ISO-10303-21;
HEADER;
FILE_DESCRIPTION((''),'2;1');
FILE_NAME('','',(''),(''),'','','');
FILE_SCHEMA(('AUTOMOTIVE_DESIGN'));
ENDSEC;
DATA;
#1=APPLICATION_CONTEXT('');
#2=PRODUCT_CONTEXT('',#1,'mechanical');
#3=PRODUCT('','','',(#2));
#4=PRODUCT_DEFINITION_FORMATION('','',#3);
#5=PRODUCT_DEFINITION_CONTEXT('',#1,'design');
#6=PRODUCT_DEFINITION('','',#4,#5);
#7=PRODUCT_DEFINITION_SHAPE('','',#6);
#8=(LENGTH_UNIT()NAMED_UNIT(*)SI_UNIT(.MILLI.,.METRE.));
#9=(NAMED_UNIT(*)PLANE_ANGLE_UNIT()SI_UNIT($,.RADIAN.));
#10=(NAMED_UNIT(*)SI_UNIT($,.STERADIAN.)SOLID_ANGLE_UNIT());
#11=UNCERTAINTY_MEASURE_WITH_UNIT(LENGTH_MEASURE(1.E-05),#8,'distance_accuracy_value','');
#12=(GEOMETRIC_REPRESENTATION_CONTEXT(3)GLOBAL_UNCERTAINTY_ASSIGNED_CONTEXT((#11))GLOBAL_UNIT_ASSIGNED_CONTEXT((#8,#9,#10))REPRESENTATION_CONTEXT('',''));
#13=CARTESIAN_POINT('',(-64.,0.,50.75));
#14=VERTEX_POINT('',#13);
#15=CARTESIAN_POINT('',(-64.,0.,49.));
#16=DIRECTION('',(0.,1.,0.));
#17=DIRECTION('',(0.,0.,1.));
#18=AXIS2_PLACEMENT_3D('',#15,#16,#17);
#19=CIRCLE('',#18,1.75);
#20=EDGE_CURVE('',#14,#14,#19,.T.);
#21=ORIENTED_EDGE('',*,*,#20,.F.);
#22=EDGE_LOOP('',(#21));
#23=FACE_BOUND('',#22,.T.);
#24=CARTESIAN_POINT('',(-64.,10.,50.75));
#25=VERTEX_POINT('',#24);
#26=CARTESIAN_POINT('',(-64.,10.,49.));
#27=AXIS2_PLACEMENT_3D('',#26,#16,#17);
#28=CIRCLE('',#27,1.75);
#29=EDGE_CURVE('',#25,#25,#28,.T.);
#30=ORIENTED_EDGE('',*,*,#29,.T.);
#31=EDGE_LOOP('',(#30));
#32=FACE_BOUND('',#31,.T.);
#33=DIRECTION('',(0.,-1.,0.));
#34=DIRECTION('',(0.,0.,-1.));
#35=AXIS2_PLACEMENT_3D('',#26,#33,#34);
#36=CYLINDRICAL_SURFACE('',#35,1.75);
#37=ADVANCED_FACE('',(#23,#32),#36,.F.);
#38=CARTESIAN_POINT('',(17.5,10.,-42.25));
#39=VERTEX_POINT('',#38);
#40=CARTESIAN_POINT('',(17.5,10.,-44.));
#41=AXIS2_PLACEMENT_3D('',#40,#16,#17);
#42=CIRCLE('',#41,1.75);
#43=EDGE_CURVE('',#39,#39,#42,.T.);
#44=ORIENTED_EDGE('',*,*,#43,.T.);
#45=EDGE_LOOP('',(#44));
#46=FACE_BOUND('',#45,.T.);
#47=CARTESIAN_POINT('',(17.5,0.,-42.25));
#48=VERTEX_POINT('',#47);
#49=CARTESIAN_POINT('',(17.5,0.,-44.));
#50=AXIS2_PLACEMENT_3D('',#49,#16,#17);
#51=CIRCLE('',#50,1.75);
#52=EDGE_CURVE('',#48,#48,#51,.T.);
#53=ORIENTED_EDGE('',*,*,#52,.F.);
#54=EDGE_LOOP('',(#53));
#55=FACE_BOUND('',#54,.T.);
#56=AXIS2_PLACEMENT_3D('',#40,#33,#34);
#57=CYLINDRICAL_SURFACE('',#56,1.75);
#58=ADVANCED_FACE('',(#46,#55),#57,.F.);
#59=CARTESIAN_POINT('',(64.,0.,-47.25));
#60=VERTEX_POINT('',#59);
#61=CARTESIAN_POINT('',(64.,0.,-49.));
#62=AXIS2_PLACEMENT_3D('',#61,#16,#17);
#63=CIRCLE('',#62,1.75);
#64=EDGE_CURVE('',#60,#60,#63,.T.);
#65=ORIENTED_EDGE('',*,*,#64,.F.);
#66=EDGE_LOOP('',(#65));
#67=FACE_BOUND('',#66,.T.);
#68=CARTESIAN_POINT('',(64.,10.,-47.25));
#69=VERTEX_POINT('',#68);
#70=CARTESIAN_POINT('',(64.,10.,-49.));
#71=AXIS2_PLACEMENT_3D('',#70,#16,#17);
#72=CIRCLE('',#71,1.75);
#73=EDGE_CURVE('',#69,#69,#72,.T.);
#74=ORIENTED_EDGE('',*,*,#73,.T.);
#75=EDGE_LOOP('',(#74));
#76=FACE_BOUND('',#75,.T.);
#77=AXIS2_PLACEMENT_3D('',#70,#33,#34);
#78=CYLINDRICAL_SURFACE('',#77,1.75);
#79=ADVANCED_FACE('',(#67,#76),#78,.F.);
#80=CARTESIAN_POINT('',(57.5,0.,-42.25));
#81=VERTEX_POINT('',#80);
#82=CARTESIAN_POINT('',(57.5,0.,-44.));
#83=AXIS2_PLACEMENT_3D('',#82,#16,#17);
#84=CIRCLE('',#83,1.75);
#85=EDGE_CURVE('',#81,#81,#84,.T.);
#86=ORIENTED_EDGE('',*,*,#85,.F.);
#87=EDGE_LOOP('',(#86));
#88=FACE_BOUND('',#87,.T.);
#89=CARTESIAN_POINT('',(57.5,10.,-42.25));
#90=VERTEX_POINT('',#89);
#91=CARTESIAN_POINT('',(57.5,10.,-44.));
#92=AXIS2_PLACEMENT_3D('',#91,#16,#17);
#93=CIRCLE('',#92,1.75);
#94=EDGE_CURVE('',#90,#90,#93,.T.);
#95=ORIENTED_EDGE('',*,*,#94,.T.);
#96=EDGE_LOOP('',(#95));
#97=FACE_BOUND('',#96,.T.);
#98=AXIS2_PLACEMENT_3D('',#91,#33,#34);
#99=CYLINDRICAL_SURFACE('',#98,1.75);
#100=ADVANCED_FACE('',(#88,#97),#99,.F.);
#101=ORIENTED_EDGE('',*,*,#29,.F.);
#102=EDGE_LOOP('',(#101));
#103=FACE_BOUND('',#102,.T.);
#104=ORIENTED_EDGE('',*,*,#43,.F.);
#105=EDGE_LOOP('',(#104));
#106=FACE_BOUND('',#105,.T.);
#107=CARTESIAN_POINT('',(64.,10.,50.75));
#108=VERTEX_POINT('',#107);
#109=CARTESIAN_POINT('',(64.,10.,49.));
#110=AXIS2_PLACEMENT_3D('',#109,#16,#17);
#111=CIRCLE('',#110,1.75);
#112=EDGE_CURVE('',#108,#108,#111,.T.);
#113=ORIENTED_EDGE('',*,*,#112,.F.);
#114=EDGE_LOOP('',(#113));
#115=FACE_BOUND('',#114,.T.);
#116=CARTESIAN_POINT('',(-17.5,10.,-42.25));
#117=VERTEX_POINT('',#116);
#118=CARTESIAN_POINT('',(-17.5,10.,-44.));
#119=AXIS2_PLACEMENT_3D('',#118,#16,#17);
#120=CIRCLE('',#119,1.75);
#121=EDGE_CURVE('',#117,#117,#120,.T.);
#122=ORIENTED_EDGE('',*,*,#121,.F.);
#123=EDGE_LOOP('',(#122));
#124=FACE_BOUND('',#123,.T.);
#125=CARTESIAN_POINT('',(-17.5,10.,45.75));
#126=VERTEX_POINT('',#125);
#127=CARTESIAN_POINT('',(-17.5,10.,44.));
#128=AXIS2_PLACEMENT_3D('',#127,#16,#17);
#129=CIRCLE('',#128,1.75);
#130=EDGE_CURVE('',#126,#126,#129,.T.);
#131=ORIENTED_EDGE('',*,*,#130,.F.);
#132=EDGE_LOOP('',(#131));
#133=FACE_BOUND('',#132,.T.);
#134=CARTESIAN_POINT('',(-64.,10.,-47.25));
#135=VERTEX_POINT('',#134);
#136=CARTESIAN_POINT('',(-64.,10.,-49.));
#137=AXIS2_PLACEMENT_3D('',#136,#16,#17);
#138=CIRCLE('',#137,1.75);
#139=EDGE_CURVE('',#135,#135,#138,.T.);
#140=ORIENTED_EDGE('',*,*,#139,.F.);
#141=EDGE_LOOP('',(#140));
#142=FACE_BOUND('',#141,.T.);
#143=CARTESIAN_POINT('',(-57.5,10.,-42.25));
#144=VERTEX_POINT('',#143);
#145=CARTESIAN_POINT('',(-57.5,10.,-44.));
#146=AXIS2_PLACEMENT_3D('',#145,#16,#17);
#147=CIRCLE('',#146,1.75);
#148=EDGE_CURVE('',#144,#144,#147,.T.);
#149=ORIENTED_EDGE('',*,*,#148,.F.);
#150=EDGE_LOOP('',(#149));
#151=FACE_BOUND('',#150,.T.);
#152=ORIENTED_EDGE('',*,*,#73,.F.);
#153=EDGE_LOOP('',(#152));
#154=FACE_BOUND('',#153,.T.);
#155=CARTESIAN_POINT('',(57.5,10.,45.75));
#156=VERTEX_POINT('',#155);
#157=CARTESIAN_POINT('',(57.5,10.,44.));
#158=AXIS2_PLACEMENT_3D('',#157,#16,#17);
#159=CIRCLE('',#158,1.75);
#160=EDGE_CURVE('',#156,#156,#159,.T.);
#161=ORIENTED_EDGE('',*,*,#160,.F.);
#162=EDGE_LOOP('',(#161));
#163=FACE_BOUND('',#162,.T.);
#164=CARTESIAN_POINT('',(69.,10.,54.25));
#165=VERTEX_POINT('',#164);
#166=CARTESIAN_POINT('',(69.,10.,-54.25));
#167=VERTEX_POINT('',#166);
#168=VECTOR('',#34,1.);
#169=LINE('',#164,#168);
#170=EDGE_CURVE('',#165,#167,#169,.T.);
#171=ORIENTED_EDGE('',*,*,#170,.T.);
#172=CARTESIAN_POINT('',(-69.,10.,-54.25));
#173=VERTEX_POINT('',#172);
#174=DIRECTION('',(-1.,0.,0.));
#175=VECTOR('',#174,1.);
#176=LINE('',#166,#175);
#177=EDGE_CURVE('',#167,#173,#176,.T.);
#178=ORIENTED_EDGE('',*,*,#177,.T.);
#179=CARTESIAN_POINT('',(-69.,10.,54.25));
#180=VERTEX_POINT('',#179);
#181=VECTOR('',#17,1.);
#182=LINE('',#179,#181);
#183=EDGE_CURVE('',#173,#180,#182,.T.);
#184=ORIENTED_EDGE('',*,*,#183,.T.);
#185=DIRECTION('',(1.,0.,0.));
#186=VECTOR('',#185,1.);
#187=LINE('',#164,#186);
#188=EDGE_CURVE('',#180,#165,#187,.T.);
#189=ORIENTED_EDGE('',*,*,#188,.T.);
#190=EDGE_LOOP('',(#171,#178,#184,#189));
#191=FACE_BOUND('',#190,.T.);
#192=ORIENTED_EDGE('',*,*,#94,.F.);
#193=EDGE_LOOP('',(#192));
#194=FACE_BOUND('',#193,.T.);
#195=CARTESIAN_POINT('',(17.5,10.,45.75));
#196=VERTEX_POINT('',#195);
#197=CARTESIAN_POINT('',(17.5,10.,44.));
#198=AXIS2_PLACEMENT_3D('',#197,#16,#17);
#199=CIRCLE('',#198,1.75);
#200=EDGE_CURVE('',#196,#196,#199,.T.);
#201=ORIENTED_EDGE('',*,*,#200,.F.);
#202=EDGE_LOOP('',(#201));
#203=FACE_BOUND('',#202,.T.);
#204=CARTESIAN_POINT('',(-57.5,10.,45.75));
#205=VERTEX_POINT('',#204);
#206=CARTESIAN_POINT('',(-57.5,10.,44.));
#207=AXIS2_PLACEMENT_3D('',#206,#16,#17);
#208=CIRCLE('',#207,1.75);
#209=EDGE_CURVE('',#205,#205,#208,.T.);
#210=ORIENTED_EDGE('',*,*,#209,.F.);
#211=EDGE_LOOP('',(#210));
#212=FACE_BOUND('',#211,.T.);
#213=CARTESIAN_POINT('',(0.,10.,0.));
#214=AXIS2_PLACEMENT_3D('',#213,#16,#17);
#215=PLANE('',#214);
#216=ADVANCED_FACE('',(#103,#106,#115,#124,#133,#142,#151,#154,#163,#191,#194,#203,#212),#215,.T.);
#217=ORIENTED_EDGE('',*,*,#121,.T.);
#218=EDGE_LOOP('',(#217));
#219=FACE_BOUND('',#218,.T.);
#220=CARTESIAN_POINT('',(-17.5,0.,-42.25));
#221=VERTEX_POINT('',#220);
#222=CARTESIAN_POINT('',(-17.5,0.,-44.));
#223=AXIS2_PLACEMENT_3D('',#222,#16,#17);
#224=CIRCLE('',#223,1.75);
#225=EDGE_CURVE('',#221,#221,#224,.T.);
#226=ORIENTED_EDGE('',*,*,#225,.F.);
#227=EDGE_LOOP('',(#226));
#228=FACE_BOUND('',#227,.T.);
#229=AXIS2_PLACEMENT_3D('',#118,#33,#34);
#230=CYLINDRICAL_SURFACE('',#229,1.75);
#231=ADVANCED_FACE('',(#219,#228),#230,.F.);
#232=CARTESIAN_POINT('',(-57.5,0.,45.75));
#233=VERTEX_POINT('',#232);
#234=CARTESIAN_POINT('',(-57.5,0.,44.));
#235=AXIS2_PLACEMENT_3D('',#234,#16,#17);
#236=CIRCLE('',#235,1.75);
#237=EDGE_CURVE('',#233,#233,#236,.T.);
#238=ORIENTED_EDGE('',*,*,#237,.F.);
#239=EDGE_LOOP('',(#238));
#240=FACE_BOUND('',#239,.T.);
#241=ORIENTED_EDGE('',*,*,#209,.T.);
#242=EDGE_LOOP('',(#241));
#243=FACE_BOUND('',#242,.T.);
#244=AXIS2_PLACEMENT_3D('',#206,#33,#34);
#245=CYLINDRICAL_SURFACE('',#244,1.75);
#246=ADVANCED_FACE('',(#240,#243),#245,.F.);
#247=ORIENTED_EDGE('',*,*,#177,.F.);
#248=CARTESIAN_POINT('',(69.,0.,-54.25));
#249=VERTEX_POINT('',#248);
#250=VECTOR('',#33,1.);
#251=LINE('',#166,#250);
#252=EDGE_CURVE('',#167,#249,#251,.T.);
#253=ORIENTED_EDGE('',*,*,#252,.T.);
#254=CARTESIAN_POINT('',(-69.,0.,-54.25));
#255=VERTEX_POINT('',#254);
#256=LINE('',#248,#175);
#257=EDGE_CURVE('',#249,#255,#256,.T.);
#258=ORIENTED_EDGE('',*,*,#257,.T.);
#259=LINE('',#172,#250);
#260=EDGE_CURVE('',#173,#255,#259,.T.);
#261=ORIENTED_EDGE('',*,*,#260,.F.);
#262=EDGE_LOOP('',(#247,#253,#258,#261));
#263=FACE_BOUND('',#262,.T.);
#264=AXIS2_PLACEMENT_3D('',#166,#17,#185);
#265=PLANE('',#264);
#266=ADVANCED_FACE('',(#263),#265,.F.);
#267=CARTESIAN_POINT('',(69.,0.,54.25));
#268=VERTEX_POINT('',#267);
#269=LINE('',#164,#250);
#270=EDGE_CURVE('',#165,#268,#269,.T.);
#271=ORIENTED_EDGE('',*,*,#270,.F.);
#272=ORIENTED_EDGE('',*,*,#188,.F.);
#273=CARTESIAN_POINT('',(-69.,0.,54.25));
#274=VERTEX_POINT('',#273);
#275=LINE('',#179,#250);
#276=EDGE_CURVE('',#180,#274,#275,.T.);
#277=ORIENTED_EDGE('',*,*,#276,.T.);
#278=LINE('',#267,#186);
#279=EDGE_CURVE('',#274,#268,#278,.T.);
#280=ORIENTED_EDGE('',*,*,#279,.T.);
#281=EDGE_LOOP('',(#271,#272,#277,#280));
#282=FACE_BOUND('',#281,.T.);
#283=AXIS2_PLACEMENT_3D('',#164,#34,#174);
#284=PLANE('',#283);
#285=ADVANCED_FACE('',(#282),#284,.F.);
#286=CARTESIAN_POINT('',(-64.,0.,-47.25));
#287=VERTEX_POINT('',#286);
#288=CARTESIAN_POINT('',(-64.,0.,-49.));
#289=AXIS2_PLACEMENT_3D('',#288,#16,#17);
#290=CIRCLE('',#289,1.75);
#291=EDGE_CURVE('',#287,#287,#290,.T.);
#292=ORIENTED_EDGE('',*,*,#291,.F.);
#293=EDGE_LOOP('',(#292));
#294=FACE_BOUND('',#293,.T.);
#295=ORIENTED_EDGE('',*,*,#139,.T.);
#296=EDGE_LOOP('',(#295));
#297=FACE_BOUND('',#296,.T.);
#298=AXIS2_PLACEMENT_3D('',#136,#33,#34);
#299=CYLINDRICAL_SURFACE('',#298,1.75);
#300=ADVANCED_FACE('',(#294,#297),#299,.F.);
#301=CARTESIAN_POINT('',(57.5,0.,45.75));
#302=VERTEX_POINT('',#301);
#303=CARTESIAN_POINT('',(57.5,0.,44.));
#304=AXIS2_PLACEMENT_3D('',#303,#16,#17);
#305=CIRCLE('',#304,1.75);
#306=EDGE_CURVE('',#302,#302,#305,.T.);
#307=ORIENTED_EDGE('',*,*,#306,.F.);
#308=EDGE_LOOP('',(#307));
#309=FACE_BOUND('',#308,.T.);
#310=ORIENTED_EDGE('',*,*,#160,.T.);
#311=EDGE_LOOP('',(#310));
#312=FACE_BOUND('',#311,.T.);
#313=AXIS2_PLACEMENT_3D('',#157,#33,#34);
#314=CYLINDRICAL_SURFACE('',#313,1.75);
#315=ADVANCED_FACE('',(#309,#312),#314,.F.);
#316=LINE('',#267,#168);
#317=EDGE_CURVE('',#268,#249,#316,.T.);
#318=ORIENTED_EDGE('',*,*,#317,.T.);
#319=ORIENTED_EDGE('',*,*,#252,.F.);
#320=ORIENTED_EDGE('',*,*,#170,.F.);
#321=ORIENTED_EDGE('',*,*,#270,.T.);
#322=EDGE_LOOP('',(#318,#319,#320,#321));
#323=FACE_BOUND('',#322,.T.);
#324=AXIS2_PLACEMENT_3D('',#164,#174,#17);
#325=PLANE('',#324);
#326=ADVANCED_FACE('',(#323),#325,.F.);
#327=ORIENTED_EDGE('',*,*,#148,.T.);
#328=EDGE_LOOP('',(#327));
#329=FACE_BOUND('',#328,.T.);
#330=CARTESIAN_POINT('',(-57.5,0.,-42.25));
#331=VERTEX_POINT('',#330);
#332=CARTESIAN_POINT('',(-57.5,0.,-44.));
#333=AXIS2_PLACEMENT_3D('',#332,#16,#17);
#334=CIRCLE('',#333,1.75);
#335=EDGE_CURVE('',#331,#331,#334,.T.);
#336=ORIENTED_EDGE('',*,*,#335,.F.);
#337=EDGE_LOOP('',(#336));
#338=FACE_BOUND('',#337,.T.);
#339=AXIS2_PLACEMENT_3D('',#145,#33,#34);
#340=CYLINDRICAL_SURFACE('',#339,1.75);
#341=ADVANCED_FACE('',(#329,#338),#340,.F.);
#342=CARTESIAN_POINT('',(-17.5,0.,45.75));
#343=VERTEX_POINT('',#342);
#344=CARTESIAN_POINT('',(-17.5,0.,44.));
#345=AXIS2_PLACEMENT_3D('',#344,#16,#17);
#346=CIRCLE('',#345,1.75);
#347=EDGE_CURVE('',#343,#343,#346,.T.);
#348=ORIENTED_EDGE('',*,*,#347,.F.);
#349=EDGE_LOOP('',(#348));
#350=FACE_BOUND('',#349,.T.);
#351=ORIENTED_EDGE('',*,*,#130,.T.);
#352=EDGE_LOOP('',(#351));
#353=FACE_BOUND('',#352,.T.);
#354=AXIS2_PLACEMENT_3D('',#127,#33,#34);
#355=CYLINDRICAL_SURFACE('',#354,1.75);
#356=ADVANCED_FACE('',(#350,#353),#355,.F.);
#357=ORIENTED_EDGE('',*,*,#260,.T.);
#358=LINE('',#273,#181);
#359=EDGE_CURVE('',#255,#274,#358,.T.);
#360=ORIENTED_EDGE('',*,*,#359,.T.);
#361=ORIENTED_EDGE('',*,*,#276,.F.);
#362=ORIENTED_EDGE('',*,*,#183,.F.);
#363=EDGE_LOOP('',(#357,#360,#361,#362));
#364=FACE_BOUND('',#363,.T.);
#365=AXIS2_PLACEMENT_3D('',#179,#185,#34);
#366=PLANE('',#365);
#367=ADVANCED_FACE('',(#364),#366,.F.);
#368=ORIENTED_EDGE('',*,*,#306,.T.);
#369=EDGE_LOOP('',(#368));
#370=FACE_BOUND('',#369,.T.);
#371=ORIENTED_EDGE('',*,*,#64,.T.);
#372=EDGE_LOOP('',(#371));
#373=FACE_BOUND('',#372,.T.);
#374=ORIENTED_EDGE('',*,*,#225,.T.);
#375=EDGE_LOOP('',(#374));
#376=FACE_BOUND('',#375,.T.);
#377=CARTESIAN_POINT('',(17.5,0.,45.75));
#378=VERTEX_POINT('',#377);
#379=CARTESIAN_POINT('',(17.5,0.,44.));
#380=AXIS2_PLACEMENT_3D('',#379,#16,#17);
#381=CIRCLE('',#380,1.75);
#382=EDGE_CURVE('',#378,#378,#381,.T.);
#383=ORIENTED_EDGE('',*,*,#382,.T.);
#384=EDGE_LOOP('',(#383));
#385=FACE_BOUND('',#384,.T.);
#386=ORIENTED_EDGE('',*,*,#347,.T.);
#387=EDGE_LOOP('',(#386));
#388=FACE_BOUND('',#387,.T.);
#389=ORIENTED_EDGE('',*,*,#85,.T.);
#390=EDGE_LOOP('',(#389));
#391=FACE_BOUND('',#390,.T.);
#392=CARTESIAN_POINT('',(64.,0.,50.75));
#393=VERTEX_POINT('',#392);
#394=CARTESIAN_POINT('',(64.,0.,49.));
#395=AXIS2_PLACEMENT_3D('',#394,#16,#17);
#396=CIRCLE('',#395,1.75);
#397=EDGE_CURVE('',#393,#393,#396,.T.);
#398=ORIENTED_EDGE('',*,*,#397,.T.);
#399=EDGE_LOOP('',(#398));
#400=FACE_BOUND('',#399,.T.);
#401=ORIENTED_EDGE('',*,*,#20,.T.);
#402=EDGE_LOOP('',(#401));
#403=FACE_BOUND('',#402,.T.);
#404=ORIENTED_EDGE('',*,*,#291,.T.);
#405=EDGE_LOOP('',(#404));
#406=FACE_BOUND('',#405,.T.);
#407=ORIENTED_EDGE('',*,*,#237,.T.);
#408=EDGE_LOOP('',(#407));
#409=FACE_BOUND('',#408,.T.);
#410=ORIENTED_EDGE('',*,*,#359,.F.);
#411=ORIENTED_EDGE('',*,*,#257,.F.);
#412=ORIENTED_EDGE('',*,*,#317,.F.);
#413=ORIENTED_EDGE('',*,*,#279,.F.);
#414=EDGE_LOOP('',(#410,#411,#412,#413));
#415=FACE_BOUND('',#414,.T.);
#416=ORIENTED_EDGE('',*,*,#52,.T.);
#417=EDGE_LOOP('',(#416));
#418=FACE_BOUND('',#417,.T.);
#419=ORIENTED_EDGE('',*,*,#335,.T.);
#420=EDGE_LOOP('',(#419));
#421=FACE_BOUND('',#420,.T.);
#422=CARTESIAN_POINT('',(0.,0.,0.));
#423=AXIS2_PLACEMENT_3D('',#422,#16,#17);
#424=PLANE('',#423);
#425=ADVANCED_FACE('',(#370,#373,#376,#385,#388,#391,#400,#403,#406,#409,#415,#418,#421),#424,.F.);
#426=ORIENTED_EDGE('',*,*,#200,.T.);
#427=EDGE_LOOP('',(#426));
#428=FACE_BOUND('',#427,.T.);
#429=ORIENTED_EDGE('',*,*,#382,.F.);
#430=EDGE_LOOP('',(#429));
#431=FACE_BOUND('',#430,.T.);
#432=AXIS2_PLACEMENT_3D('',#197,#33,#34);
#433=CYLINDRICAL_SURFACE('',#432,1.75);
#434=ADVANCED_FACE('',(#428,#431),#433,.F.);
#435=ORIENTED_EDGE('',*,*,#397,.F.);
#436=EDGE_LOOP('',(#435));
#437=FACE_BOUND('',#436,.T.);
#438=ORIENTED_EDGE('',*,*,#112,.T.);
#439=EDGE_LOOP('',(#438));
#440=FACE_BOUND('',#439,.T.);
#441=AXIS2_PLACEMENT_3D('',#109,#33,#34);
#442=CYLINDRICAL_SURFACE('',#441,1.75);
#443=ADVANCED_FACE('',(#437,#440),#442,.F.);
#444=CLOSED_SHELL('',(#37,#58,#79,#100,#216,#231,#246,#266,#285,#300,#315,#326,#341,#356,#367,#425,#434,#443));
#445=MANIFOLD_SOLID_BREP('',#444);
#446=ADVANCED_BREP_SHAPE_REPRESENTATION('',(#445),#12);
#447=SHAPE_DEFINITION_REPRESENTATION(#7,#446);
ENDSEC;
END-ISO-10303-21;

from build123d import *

# Parameters (mm, degrees)
SKETCH1_W           = 138
SKETCH1_H           = 108.5
SKETCH1_R           = 1.75
BOSS_EXTRUDE1_DEPTH = 10


with BuildPart() as part:
    # Sketch1 → Boss-Extrude1 (new body)
    with BuildSketch(Plane(origin=(0, 0, 0), x_dir=(1, 0, 0), z_dir=(0, 1, 0))):
        Rectangle(SKETCH1_W, SKETCH1_H)
        with Locations(Location((-64, 49, 0), (0, 0, 270))):  # turned: the seam where the file's is
            Circle(SKETCH1_R, mode=Mode.SUBTRACT)
        with Locations(Location((-64, -49, 0), (0, 0, 270))):  # turned: the seam where the file's is
            Circle(SKETCH1_R, mode=Mode.SUBTRACT)
        with Locations(Location((64, -49, 0), (0, 0, 270))):  # turned: the seam where the file's is
            Circle(SKETCH1_R, mode=Mode.SUBTRACT)
        with Locations(Location((64, 49, 0), (0, 0, 270))):  # turned: the seam where the file's is
            Circle(SKETCH1_R, mode=Mode.SUBTRACT)
        with Locations(Location((-57.5, 44, 0), (0, 0, 270))):  # turned: the seam where the file's is
            Circle(SKETCH1_R, mode=Mode.SUBTRACT)
        with Locations(Location((-17.5, 44, 0), (0, 0, 270))):  # turned: the seam where the file's is
            Circle(SKETCH1_R, mode=Mode.SUBTRACT)
        with Locations(Location((-17.5, -44, 0), (0, 0, 270))):  # turned: the seam where the file's is
            Circle(SKETCH1_R, mode=Mode.SUBTRACT)
        with Locations(Location((-57.5, -44, 0), (0, 0, 270))):  # turned: the seam where the file's is
            Circle(SKETCH1_R, mode=Mode.SUBTRACT)
        with Locations(Location((17.5, -44, 0), (0, 0, 270))):  # turned: the seam where the file's is
            Circle(SKETCH1_R, mode=Mode.SUBTRACT)
        with Locations(Location((57.5, -44, 0), (0, 0, 270))):  # turned: the seam where the file's is
            Circle(SKETCH1_R, mode=Mode.SUBTRACT)
        with Locations(Location((57.5, 44, 0), (0, 0, 270))):  # turned: the seam where the file's is
            Circle(SKETCH1_R, mode=Mode.SUBTRACT)
        with Locations(Location((17.5, 44, 0), (0, 0, 270))):  # turned: the seam where the file's is
            Circle(SKETCH1_R, mode=Mode.SUBTRACT)
    extrude(amount=BOSS_EXTRUDE1_DEPTH)


solid = part.part
